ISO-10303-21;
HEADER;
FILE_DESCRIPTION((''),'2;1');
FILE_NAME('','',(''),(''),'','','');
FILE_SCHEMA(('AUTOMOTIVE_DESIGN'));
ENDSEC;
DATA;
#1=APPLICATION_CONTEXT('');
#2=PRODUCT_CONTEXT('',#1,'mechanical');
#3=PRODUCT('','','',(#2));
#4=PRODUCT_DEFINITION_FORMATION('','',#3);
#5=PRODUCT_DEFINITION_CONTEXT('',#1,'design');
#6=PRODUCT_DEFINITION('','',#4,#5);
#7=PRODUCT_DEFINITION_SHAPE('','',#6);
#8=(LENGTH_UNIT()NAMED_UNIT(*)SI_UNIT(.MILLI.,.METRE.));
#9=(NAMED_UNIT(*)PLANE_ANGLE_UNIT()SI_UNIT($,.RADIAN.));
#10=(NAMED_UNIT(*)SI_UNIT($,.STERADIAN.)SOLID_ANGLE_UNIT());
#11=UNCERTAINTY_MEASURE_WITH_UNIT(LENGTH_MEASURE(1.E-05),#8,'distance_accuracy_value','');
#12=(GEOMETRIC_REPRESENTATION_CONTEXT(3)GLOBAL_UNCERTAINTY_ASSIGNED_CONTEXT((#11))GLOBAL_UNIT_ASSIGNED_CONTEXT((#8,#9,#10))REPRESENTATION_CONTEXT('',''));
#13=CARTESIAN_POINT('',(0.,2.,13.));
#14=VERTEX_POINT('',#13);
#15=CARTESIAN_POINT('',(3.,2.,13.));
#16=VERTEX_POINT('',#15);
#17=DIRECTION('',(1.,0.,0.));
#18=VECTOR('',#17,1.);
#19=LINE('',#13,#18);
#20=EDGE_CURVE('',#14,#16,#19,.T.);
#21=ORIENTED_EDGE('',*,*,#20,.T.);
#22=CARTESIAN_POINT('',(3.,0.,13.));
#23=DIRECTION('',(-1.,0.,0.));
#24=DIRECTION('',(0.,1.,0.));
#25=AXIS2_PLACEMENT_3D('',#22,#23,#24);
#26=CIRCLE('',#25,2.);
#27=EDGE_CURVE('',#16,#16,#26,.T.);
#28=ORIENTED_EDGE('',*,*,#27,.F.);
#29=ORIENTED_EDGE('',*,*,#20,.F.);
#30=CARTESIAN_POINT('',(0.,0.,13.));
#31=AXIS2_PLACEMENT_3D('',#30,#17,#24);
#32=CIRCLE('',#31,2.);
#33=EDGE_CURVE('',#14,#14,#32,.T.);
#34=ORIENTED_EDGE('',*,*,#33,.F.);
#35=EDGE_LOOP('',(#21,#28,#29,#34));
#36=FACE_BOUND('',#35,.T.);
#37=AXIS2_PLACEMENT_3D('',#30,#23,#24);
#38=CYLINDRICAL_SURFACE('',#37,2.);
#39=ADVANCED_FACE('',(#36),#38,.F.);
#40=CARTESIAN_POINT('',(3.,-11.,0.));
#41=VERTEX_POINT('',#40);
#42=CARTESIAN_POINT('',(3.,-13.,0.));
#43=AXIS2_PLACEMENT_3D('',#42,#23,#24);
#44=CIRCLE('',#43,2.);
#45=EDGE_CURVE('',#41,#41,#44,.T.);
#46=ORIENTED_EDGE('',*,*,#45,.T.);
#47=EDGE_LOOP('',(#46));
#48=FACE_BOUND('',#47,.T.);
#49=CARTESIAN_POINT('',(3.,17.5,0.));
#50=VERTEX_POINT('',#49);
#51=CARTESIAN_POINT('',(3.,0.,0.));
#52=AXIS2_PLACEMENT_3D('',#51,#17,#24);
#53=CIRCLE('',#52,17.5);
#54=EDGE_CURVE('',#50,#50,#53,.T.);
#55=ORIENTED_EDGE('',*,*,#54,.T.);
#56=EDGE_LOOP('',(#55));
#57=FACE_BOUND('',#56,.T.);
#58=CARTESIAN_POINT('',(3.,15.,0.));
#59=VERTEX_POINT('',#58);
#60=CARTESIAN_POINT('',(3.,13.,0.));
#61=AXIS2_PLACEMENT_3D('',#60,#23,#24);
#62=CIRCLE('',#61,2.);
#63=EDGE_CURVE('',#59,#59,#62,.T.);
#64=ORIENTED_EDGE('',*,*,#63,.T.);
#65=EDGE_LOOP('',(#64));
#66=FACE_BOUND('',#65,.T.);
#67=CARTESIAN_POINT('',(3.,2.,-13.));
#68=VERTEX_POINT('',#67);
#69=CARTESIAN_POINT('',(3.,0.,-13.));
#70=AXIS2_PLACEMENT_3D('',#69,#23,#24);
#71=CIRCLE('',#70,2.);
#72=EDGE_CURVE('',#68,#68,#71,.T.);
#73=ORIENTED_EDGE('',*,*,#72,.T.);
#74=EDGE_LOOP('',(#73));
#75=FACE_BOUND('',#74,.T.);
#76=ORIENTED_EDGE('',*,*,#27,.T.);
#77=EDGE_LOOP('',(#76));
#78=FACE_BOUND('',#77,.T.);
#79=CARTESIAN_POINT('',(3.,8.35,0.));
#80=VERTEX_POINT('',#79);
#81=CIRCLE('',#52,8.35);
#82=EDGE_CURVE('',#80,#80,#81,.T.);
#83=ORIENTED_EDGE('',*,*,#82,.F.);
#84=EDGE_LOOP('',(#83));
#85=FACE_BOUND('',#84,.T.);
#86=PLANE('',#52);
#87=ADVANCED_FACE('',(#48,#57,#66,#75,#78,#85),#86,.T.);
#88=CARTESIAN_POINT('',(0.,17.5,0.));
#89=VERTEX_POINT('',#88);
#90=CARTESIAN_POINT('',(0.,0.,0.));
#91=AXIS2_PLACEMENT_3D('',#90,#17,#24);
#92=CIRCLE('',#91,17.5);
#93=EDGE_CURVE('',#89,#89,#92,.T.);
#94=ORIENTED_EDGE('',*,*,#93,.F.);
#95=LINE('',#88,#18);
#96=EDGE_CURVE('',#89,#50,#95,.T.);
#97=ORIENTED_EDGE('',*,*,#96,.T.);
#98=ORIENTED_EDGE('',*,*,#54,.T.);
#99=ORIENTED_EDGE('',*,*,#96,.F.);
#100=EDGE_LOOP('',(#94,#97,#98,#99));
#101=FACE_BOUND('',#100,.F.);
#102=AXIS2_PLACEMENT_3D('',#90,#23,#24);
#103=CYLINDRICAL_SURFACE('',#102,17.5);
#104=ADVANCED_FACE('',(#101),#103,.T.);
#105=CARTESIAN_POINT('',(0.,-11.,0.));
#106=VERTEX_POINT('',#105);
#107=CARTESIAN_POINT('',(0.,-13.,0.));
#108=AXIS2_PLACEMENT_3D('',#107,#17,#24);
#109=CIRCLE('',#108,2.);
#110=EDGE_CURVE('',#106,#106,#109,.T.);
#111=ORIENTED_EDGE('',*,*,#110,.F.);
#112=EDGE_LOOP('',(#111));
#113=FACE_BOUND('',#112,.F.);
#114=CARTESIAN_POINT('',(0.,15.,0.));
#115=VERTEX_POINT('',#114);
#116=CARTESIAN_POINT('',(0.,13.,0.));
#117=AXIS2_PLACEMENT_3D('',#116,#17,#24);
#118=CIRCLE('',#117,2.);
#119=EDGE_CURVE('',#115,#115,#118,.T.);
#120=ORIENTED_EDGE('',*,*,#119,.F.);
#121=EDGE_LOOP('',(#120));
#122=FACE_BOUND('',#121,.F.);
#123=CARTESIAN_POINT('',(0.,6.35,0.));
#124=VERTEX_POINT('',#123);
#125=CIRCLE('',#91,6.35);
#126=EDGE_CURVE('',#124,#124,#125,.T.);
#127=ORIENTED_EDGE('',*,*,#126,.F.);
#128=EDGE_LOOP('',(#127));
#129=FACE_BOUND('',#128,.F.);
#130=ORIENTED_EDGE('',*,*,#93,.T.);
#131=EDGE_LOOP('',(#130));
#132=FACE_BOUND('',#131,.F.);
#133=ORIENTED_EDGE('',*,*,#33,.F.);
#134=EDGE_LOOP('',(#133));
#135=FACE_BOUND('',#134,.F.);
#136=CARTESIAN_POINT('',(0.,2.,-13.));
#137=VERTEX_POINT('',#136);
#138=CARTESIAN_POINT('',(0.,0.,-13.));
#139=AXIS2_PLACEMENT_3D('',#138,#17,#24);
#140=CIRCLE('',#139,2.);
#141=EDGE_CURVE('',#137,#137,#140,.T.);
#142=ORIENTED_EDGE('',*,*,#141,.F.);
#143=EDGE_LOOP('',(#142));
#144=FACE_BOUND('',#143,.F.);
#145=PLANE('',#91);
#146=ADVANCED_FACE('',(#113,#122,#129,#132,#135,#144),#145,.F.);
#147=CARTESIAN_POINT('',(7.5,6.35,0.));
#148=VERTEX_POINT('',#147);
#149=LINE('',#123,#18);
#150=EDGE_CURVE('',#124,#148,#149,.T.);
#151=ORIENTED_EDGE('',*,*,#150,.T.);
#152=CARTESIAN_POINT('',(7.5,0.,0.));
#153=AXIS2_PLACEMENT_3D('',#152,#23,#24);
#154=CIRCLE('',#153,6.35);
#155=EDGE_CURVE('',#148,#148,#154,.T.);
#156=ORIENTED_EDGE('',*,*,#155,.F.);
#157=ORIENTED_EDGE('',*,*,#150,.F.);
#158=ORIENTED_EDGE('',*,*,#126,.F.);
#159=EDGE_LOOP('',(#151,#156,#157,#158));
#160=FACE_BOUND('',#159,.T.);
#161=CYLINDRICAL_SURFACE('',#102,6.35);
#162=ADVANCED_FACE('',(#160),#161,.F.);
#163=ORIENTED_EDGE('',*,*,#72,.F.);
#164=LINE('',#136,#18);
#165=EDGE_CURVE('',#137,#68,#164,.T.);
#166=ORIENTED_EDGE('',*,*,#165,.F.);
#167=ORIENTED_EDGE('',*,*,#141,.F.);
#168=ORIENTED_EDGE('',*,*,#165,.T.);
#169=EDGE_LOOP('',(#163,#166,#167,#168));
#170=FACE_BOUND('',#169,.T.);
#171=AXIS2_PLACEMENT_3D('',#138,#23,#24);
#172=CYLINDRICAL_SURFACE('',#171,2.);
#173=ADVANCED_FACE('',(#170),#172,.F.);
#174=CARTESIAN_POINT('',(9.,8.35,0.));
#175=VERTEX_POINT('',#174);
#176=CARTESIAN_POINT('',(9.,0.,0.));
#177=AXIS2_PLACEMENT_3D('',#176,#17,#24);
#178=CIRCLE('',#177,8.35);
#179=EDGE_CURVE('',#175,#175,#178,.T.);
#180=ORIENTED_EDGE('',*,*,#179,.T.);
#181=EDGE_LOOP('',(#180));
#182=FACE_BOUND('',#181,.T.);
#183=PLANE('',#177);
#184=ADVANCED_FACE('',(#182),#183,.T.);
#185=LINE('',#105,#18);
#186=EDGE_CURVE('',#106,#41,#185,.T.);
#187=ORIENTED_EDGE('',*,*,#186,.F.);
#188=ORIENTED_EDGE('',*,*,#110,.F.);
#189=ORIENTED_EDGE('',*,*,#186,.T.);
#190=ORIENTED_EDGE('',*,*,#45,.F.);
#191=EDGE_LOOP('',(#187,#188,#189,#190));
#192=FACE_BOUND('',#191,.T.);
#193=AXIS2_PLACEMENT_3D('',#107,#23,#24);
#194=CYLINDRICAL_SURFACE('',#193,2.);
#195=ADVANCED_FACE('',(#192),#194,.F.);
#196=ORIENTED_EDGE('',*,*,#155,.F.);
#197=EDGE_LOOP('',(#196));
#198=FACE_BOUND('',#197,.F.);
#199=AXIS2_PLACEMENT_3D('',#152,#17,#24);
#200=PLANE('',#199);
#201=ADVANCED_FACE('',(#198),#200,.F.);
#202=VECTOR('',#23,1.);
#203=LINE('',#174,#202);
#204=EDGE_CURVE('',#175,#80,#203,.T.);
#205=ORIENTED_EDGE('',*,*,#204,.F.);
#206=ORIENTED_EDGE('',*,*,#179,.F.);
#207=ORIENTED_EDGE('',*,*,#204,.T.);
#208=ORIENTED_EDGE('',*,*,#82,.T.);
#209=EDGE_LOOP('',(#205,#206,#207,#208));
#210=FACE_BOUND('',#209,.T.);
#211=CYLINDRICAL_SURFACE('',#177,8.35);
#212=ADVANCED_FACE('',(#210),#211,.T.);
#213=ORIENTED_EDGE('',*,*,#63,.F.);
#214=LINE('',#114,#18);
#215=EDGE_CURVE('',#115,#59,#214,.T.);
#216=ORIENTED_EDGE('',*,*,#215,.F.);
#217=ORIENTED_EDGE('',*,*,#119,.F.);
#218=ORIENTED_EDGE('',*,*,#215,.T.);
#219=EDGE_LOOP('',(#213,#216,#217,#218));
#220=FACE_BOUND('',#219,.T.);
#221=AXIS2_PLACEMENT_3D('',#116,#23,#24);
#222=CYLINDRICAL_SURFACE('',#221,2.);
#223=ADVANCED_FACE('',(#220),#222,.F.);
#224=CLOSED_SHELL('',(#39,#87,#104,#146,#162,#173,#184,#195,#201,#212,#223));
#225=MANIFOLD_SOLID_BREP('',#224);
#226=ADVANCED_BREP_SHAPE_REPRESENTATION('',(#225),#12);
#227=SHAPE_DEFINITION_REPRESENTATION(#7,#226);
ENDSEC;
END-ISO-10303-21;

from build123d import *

# Parameters (mm, degrees)
F0_R     = 17.5
F0_R_2   = 2
F0_R_3   = 6.35
F1_DEPTH = 9
F2_R     = 17.5
F2_R_2   = 8.35
F3_DEPTH = 6
F4_R     = 6.4
F5_DEPTH = 1.5


with BuildPart() as f1:
    # F0 (on Right) → F1 (new body)
    with BuildSketch(Plane.YZ):
        Circle(F0_R)
        with Locations((0, -13)):
            Circle(F0_R_2, mode=Mode.SUBTRACT)
        with Locations((-13, 0)):
            Circle(F0_R_2, mode=Mode.SUBTRACT)
        Circle(F0_R_3, mode=Mode.SUBTRACT)
        with Locations((13, 0)):
            Circle(F0_R_2, mode=Mode.SUBTRACT)
        with Locations((0, 13)):
            Circle(F0_R_2, mode=Mode.SUBTRACT)
    extrude(amount=F1_DEPTH)

    # F2 (on face) → F3 (cut)
    with BuildSketch(Plane.YZ.offset(9)):
        Circle(F2_R)
        Circle(F2_R_2, mode=Mode.SUBTRACT)
    extrude(amount=-F3_DEPTH, mode=Mode.SUBTRACT)

    # F4 (on face) → F5 (join)
    with BuildSketch(Plane.YZ.offset(9)):
        Circle(F4_R)
    extrude(amount=-F5_DEPTH)


solid = f1.part
